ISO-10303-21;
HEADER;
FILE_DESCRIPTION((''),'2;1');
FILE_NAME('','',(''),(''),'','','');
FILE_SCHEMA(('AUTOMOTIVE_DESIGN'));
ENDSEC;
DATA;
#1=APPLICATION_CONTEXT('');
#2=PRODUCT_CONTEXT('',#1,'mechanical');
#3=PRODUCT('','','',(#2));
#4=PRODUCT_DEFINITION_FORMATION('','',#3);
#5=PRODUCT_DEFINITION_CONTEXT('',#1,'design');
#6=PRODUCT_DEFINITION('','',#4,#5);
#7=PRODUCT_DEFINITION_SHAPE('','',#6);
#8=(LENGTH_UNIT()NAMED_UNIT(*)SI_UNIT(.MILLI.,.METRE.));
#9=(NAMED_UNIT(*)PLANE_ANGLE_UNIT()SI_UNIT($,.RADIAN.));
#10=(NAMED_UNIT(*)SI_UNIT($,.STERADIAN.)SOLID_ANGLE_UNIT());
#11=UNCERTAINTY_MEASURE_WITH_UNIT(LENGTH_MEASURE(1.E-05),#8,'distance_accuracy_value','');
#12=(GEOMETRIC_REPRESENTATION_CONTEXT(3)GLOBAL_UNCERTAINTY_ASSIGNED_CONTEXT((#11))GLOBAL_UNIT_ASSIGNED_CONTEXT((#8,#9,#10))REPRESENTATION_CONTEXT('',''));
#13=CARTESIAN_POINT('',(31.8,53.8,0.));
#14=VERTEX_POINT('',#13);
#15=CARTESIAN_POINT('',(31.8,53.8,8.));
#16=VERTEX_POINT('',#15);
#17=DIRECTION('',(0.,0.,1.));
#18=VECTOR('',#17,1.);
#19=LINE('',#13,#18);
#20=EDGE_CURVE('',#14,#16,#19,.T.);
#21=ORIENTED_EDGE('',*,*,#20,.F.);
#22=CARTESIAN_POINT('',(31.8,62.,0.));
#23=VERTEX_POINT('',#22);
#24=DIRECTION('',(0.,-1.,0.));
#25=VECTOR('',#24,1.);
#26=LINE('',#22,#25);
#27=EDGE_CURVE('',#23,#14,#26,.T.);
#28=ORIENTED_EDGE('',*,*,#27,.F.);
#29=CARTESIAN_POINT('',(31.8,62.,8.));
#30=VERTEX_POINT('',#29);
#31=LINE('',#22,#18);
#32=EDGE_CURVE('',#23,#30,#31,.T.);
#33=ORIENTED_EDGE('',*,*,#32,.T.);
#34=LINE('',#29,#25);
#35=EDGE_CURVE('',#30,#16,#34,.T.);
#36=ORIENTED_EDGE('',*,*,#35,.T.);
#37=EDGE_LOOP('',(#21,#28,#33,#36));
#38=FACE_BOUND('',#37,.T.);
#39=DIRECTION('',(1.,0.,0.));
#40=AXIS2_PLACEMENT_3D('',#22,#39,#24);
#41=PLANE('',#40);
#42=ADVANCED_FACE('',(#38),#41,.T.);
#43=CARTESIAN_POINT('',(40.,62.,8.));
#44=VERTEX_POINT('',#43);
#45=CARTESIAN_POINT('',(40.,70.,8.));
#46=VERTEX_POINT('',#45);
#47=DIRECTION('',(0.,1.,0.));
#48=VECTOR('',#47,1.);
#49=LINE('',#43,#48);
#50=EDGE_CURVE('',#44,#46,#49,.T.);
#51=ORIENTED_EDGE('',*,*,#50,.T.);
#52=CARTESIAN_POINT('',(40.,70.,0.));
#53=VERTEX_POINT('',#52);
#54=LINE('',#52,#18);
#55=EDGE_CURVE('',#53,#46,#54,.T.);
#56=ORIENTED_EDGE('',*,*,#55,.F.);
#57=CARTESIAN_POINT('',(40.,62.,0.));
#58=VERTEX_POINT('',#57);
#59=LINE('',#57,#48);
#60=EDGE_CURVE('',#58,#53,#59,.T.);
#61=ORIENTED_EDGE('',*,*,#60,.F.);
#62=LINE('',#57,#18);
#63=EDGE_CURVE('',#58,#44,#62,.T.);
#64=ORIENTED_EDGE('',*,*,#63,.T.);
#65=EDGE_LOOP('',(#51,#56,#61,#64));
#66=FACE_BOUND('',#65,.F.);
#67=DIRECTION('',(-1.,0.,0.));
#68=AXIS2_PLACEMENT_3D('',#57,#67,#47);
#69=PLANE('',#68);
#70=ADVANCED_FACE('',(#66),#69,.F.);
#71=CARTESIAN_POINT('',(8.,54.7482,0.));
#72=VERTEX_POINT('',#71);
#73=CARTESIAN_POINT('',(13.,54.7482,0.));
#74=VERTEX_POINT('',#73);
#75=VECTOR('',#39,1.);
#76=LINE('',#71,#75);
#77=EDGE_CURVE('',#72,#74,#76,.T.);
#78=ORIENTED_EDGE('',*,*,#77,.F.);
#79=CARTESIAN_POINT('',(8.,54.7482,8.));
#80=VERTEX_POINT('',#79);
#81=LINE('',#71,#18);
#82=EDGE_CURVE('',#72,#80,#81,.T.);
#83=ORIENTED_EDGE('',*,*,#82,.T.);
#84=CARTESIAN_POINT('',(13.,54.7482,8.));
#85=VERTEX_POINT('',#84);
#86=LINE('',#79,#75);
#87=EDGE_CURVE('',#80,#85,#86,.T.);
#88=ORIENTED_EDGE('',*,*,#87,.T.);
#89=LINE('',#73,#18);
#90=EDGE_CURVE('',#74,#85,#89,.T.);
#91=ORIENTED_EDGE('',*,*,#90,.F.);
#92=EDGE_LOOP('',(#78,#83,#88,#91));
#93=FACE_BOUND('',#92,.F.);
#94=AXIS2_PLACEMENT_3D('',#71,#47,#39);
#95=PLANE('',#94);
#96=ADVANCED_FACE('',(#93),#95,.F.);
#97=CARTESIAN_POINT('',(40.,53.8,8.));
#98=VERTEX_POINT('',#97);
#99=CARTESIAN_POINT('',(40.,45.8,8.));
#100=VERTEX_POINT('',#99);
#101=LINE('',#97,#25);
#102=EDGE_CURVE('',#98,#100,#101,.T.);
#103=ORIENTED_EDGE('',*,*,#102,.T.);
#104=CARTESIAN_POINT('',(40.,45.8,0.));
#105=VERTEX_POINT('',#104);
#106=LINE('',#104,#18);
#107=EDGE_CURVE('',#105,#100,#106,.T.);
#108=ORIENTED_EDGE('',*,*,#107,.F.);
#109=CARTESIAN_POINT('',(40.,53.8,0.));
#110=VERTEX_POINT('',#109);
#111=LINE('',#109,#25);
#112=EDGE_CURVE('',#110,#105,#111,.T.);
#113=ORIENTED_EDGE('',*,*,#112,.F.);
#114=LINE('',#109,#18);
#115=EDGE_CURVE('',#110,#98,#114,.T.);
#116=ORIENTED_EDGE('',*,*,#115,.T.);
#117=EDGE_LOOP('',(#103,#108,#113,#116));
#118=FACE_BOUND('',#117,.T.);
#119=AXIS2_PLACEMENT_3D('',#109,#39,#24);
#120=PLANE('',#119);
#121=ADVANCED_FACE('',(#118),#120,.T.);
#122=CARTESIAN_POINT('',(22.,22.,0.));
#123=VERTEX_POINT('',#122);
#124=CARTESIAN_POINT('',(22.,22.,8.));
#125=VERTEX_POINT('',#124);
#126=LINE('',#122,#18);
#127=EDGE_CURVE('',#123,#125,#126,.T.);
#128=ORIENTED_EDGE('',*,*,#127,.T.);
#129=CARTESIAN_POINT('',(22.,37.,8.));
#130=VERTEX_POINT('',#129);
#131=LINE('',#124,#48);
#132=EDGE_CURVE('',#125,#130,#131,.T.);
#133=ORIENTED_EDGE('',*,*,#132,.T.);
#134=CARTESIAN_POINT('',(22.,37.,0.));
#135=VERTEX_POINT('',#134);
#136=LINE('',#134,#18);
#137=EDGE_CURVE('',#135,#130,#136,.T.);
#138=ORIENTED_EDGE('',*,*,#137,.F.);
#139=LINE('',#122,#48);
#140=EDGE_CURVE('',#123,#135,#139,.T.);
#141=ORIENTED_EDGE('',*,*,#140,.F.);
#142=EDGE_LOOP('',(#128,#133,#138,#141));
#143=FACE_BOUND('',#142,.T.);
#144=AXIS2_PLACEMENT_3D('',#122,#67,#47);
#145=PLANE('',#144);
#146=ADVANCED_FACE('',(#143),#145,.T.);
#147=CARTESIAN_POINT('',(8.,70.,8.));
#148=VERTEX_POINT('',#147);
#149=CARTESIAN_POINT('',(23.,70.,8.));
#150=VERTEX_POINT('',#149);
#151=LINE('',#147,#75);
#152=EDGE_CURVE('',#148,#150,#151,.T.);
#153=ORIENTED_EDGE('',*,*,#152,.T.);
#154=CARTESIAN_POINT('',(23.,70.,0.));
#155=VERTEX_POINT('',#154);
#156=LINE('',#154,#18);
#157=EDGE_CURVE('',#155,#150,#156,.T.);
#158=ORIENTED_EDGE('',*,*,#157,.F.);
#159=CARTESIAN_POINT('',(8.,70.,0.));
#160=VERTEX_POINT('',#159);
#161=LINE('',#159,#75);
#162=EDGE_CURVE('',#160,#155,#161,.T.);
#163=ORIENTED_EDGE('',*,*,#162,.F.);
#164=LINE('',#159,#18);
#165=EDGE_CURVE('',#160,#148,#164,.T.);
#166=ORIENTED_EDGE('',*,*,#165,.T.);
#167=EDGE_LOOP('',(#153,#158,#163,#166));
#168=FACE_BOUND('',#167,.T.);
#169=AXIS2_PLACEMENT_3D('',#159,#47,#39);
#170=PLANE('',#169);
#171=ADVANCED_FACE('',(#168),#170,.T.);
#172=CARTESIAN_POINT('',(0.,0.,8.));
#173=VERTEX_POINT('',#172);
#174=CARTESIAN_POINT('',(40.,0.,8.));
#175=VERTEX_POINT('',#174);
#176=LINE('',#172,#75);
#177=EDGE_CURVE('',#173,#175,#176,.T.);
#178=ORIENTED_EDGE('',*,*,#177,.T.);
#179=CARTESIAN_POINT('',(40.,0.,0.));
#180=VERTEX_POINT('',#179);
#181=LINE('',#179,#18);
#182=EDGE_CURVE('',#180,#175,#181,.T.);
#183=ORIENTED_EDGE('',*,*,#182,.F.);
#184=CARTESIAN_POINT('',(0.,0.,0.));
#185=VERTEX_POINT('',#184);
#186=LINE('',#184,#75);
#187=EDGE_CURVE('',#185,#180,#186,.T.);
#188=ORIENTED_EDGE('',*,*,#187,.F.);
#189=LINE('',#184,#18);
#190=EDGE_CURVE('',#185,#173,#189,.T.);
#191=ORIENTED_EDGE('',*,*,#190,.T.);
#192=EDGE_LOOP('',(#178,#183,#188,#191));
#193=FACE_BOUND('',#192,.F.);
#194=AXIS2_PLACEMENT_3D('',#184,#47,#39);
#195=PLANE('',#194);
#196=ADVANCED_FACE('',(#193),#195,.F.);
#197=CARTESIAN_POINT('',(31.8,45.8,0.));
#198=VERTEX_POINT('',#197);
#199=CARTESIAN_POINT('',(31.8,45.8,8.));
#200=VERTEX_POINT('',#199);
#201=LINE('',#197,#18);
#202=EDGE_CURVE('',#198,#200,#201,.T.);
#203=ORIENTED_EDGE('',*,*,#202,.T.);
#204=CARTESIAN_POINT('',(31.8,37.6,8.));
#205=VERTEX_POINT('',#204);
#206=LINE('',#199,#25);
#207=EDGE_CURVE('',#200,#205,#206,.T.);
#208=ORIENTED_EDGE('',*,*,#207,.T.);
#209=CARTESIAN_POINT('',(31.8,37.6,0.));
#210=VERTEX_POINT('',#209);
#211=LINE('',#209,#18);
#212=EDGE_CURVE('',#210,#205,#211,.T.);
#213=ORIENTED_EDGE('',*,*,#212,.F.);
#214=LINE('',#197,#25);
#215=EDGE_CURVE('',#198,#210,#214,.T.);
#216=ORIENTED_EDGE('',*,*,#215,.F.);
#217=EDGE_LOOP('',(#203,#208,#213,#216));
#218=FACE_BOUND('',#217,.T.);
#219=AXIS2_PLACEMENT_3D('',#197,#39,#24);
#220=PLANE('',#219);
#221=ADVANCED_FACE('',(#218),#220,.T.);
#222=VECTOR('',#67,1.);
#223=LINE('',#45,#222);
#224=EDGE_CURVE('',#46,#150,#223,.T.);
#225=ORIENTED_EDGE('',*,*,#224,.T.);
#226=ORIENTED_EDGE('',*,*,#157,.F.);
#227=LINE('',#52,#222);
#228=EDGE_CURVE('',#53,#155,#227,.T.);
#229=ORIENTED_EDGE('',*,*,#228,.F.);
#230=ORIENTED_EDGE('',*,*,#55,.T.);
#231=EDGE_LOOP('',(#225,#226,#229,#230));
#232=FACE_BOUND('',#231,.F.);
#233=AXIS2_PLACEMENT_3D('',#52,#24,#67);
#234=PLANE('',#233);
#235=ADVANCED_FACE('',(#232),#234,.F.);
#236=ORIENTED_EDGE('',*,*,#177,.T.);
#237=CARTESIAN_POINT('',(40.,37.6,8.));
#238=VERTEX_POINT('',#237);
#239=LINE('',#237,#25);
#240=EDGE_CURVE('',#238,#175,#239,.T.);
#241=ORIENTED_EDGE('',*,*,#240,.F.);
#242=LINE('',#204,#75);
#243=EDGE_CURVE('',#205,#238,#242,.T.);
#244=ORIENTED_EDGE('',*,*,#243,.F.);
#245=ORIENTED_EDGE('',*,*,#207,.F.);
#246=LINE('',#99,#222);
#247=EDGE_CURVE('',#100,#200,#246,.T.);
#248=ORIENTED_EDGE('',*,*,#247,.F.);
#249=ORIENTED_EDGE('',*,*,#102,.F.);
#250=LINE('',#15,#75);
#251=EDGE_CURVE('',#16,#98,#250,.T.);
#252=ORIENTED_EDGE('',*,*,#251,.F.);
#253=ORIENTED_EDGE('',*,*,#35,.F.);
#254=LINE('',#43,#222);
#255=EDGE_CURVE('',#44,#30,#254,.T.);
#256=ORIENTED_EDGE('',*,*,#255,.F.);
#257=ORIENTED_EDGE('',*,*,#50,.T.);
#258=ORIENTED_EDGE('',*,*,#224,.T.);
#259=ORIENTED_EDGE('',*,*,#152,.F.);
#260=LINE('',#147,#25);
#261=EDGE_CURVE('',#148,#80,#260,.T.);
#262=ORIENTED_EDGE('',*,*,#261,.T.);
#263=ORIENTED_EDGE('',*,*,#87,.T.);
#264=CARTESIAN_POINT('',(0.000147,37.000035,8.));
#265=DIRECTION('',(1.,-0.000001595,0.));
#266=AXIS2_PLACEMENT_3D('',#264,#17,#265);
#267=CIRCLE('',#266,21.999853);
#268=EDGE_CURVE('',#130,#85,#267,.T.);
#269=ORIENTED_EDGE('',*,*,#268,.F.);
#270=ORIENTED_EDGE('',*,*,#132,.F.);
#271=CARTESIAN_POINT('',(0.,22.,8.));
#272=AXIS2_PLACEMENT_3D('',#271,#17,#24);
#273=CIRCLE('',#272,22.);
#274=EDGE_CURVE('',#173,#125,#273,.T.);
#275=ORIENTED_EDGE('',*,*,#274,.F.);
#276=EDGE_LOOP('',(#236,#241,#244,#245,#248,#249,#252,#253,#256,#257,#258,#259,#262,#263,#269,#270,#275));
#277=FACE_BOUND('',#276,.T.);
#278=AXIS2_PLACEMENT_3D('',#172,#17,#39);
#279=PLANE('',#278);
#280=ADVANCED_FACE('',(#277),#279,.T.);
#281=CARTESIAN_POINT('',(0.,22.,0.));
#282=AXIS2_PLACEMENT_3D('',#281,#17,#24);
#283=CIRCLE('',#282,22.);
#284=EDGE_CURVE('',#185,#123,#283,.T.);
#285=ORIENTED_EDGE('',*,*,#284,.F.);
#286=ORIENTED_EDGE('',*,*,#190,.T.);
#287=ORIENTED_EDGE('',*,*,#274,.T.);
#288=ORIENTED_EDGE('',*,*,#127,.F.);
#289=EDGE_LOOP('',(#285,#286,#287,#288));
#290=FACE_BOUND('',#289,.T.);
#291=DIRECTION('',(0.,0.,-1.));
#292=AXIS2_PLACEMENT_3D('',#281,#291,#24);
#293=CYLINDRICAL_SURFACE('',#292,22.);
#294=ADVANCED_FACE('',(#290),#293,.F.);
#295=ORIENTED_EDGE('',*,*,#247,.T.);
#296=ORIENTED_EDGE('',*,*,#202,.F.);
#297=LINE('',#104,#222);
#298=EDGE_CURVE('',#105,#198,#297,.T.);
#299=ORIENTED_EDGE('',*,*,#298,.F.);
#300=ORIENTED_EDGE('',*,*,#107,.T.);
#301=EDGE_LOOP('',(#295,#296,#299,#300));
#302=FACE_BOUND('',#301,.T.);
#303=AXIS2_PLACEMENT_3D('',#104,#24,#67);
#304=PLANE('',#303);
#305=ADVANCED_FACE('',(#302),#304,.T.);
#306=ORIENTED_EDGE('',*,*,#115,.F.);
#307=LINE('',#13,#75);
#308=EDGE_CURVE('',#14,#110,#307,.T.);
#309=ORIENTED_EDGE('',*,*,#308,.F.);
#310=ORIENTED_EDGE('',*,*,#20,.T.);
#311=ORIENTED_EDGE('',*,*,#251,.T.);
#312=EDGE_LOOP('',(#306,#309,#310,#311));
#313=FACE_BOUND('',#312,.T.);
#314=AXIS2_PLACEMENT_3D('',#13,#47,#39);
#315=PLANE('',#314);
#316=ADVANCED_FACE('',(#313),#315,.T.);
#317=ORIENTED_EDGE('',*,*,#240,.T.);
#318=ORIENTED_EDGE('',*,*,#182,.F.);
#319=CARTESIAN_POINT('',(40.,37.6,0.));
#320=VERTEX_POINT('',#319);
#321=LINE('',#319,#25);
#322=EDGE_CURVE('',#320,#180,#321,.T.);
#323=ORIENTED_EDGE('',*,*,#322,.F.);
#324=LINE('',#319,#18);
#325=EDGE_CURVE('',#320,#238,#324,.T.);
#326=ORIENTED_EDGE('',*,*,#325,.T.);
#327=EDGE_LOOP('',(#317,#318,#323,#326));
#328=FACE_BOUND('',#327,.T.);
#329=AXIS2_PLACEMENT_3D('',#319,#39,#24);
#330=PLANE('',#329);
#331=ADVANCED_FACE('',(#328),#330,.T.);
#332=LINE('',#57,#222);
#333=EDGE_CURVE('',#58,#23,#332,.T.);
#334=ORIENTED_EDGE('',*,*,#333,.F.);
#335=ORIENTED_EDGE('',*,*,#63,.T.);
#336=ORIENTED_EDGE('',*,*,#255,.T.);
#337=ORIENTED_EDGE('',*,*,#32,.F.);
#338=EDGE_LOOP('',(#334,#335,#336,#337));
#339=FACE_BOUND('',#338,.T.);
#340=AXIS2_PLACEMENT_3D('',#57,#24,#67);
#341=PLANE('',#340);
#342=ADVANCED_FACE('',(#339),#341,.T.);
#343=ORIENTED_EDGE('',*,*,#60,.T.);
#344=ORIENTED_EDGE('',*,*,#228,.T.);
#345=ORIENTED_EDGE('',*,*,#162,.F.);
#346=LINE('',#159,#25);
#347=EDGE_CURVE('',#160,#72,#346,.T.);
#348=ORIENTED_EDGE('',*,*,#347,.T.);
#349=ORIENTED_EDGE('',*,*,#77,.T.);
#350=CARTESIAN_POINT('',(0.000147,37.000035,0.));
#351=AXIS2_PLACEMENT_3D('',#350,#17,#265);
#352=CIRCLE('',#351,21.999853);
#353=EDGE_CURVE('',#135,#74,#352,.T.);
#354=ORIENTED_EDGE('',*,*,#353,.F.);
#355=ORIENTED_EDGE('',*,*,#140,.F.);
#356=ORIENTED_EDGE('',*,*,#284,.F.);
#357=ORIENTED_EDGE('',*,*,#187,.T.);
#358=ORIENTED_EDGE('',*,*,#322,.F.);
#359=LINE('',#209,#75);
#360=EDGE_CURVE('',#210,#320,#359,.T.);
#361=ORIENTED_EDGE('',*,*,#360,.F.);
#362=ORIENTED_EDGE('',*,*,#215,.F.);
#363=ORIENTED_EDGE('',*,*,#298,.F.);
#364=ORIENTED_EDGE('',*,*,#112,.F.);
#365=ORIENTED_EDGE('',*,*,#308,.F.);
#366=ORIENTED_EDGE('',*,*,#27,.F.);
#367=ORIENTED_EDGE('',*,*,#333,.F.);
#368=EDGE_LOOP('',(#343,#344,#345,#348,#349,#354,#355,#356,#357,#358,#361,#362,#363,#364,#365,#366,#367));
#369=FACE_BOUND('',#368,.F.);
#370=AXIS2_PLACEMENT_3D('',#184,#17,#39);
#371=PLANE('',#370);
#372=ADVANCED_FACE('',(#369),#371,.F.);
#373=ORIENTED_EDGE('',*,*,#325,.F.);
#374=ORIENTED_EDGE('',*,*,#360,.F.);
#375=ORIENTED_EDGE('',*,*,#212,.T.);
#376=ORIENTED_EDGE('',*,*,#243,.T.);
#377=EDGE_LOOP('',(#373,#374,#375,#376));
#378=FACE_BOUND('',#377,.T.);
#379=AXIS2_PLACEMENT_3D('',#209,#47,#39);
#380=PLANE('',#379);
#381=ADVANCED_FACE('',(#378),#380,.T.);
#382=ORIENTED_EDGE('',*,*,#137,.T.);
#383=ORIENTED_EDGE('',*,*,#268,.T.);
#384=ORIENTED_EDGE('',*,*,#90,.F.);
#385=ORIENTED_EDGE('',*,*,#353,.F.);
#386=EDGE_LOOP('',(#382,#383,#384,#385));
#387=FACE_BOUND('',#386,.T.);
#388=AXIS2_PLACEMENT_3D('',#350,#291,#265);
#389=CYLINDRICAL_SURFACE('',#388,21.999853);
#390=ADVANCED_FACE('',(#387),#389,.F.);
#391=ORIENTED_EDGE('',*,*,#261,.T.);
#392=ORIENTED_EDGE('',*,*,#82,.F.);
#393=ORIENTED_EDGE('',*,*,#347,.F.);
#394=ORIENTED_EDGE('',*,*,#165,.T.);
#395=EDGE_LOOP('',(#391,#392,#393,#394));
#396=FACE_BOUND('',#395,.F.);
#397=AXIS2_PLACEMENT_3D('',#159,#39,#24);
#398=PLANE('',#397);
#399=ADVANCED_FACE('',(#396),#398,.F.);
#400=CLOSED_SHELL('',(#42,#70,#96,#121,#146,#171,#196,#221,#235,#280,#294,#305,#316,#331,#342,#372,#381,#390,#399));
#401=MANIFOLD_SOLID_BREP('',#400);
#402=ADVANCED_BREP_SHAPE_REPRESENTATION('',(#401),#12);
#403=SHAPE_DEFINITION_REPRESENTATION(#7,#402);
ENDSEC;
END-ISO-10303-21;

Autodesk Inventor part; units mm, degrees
ref_plane "YZ Plane" through (0, 0, 0) normal (1, 0, 0) x (0, 1, 0)
ref_plane "XZ Plane" through (0, 0, 0) normal (0, 1, 0) x (-1, 0, 0)
ref_plane "XY Plane" through (0, 0, 0) normal (0, 0, 1) x (1, 0, 0)
sketch "Sketch1" plane through (0, 0, 0) normal (0, 0, 1) x (1, 0, 0)
  arc A0 (0, 0) -> (22, 22) centre (0, 22) ccw
  line L0 (22, 22) -> (22, 37)
  arc A1 (22, 37) -> (13, 54.7482) centre (0, 37) ccw
  line L1 (13, 54.7482) -> (13, 54.7482)
  line L2 (8, 70) -> (23, 70)
  line L3 (40, 62) -> (31.8, 62)
  line L4 (31.8, 62) -> (31.8, 53.8)
  line L5 (31.8, 53.8) -> (40, 53.8)
  line L6 (40, 45.8) -> (31.8, 45.8)
  line L7 (31.8, 45.8) -> (31.8, 37.6)
  line L8 (31.8, 37.6) -> (40, 37.6)
  line L9 (40, 53.8) -> (40, 45.8)
  line L10 (40, 37.6) -> (40, 0)
  line L11 (40, 62) -> (40, 70)
  line L12 (40, 70) -> (23, 70)
  line L13 (23, 70) -> (23, 70)
  line L14 (8, 70) -> (8, 54.7482)
  line L15 (8, 54.7482) -> (13, 54.7482)
  line L16 (0, 0) -> (40, 0)
  point P0 (40, 66)
  dimension "d0" = 22
  dimension "d1" = 90
  dimension "d2" = 0
  dimension "d3" = 15
  dimension "d4" = 0
  dimension "d5" = 13
  dimension "d6" = 22
  dimension "d7" = 0
  dimension "d14" = 8.2
  dimension "d15" = 8.2
  dimension "d32" = 8
  dimension "d34" = 8
  dimension "d35" = 8
  dimension "d37" = 15
  dimension "d39" = 40
  dimension "d40" = 0
  dimension "d41" = 0
  dimension "d42" = 0
  dimension "d43" = 8.2
  dimension "d44" = 70
extrude "Extrusion2" add sketch "Sketch1" along normal blind 8
properties part number "CenterFinger"
